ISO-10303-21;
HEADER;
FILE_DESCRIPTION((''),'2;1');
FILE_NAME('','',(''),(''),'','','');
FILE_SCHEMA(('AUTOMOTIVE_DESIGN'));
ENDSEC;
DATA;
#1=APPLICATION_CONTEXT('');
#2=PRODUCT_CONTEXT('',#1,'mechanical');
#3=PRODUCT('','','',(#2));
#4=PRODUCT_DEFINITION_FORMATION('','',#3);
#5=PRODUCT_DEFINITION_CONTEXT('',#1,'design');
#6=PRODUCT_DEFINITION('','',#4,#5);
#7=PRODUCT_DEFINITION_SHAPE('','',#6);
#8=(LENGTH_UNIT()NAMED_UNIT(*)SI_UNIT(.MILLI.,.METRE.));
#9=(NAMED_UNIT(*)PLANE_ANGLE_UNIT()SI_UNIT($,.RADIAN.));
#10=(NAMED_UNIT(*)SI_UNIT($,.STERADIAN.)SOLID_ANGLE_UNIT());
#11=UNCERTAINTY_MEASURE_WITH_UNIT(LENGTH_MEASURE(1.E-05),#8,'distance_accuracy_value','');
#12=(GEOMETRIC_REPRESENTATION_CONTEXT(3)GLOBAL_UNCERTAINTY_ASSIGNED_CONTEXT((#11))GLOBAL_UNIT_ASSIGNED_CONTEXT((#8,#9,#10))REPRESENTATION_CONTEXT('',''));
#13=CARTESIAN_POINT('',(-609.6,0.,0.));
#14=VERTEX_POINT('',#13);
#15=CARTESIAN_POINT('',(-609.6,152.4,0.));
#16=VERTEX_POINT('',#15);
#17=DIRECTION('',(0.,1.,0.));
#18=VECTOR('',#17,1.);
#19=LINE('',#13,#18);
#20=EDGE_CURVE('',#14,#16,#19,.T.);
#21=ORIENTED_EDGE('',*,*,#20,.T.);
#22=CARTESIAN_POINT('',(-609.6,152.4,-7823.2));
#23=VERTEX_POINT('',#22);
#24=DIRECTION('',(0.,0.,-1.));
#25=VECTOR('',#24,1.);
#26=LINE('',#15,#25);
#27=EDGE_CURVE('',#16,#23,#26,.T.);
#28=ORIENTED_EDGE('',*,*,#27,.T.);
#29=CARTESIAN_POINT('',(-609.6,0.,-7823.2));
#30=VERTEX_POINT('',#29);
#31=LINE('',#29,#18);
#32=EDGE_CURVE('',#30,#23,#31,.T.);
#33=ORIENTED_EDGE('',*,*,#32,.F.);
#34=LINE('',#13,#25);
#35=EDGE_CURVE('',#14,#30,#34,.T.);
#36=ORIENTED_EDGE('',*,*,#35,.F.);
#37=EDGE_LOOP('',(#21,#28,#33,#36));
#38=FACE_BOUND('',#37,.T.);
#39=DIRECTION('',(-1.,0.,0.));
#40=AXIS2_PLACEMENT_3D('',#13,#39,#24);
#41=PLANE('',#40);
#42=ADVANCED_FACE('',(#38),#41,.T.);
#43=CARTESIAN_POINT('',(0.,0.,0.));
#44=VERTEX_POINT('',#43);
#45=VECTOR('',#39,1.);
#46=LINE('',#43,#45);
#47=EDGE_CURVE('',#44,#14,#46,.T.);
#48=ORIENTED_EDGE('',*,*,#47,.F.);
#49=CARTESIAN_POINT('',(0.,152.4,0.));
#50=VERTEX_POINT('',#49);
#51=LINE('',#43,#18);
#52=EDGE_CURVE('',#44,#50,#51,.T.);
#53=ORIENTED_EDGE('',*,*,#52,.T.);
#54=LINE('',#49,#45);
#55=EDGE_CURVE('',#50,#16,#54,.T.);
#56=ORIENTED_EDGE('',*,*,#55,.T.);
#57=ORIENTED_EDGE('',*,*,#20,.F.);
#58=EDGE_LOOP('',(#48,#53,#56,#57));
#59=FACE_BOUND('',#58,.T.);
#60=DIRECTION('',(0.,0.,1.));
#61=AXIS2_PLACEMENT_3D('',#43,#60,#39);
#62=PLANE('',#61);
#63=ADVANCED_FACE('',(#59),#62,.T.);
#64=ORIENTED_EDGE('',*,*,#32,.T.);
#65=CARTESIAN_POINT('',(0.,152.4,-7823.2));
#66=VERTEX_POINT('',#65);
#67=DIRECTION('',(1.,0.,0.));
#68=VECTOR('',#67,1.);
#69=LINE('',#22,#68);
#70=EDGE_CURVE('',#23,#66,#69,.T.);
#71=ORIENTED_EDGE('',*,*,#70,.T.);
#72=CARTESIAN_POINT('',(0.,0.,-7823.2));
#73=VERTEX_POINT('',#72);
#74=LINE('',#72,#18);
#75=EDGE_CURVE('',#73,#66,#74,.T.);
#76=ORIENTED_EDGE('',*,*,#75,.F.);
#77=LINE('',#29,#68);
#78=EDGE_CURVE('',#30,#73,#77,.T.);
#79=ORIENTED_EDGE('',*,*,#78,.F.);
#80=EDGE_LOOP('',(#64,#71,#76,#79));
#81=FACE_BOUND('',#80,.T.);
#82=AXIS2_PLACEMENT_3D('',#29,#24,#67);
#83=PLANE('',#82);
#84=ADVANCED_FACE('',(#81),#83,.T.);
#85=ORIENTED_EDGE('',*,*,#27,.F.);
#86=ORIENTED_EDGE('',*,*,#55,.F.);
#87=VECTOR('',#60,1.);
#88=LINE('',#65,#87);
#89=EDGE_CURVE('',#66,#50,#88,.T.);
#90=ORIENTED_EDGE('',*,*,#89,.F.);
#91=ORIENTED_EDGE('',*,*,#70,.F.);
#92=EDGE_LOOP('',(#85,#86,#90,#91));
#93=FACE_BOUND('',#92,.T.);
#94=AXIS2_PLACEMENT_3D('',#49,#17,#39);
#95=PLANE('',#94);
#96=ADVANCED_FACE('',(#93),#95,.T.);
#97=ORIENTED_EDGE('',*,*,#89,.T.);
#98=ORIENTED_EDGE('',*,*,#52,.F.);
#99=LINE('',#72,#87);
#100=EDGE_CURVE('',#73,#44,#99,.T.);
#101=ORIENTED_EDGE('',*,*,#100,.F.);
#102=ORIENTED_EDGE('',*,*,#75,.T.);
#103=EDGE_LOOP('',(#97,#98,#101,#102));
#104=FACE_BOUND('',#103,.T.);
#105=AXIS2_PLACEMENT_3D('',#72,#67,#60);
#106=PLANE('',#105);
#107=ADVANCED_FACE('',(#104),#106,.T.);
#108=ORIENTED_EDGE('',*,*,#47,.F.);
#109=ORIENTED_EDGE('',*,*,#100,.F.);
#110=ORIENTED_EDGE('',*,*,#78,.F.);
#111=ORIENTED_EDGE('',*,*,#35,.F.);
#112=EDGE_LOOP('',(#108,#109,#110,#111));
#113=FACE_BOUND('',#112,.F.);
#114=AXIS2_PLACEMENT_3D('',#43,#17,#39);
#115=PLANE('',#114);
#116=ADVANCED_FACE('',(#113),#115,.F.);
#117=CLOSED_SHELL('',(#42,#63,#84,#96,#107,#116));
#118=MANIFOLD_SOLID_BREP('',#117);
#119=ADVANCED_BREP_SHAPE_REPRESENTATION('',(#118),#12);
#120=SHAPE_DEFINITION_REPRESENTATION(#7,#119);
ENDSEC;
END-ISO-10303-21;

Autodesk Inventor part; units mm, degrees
ref_plane "YZ Plane" through (0, 0, 0) normal (1, 0, 0) x (0, 1, 0)
ref_plane "XZ Plane" through (0, 0, 0) normal (0, 1, 0) x (-1, 0, 0)
ref_plane "XY Plane" through (0, 0, 0) normal (0, 0, 1) x (1, 0, 0)
sketch "Sketch1" plane through (0, 0, 0) normal (0, 1, 0) x (-1, 0, 0)
  line L0 (0, 0) -> (609.6, 0)
  line L1 (609.6, 0) -> (609.6, -7823.2)
  line L2 (609.6, -7823.2) -> (0, -7823.2)
  line L3 (0, -7823.2) -> (0, 0)
  dimension "d3" = 7823.2
  dimension "d4" = 609.6
extrude "Extrusion1" add sketch "Sketch1" along normal blind 152.4
properties part number "Footer"
